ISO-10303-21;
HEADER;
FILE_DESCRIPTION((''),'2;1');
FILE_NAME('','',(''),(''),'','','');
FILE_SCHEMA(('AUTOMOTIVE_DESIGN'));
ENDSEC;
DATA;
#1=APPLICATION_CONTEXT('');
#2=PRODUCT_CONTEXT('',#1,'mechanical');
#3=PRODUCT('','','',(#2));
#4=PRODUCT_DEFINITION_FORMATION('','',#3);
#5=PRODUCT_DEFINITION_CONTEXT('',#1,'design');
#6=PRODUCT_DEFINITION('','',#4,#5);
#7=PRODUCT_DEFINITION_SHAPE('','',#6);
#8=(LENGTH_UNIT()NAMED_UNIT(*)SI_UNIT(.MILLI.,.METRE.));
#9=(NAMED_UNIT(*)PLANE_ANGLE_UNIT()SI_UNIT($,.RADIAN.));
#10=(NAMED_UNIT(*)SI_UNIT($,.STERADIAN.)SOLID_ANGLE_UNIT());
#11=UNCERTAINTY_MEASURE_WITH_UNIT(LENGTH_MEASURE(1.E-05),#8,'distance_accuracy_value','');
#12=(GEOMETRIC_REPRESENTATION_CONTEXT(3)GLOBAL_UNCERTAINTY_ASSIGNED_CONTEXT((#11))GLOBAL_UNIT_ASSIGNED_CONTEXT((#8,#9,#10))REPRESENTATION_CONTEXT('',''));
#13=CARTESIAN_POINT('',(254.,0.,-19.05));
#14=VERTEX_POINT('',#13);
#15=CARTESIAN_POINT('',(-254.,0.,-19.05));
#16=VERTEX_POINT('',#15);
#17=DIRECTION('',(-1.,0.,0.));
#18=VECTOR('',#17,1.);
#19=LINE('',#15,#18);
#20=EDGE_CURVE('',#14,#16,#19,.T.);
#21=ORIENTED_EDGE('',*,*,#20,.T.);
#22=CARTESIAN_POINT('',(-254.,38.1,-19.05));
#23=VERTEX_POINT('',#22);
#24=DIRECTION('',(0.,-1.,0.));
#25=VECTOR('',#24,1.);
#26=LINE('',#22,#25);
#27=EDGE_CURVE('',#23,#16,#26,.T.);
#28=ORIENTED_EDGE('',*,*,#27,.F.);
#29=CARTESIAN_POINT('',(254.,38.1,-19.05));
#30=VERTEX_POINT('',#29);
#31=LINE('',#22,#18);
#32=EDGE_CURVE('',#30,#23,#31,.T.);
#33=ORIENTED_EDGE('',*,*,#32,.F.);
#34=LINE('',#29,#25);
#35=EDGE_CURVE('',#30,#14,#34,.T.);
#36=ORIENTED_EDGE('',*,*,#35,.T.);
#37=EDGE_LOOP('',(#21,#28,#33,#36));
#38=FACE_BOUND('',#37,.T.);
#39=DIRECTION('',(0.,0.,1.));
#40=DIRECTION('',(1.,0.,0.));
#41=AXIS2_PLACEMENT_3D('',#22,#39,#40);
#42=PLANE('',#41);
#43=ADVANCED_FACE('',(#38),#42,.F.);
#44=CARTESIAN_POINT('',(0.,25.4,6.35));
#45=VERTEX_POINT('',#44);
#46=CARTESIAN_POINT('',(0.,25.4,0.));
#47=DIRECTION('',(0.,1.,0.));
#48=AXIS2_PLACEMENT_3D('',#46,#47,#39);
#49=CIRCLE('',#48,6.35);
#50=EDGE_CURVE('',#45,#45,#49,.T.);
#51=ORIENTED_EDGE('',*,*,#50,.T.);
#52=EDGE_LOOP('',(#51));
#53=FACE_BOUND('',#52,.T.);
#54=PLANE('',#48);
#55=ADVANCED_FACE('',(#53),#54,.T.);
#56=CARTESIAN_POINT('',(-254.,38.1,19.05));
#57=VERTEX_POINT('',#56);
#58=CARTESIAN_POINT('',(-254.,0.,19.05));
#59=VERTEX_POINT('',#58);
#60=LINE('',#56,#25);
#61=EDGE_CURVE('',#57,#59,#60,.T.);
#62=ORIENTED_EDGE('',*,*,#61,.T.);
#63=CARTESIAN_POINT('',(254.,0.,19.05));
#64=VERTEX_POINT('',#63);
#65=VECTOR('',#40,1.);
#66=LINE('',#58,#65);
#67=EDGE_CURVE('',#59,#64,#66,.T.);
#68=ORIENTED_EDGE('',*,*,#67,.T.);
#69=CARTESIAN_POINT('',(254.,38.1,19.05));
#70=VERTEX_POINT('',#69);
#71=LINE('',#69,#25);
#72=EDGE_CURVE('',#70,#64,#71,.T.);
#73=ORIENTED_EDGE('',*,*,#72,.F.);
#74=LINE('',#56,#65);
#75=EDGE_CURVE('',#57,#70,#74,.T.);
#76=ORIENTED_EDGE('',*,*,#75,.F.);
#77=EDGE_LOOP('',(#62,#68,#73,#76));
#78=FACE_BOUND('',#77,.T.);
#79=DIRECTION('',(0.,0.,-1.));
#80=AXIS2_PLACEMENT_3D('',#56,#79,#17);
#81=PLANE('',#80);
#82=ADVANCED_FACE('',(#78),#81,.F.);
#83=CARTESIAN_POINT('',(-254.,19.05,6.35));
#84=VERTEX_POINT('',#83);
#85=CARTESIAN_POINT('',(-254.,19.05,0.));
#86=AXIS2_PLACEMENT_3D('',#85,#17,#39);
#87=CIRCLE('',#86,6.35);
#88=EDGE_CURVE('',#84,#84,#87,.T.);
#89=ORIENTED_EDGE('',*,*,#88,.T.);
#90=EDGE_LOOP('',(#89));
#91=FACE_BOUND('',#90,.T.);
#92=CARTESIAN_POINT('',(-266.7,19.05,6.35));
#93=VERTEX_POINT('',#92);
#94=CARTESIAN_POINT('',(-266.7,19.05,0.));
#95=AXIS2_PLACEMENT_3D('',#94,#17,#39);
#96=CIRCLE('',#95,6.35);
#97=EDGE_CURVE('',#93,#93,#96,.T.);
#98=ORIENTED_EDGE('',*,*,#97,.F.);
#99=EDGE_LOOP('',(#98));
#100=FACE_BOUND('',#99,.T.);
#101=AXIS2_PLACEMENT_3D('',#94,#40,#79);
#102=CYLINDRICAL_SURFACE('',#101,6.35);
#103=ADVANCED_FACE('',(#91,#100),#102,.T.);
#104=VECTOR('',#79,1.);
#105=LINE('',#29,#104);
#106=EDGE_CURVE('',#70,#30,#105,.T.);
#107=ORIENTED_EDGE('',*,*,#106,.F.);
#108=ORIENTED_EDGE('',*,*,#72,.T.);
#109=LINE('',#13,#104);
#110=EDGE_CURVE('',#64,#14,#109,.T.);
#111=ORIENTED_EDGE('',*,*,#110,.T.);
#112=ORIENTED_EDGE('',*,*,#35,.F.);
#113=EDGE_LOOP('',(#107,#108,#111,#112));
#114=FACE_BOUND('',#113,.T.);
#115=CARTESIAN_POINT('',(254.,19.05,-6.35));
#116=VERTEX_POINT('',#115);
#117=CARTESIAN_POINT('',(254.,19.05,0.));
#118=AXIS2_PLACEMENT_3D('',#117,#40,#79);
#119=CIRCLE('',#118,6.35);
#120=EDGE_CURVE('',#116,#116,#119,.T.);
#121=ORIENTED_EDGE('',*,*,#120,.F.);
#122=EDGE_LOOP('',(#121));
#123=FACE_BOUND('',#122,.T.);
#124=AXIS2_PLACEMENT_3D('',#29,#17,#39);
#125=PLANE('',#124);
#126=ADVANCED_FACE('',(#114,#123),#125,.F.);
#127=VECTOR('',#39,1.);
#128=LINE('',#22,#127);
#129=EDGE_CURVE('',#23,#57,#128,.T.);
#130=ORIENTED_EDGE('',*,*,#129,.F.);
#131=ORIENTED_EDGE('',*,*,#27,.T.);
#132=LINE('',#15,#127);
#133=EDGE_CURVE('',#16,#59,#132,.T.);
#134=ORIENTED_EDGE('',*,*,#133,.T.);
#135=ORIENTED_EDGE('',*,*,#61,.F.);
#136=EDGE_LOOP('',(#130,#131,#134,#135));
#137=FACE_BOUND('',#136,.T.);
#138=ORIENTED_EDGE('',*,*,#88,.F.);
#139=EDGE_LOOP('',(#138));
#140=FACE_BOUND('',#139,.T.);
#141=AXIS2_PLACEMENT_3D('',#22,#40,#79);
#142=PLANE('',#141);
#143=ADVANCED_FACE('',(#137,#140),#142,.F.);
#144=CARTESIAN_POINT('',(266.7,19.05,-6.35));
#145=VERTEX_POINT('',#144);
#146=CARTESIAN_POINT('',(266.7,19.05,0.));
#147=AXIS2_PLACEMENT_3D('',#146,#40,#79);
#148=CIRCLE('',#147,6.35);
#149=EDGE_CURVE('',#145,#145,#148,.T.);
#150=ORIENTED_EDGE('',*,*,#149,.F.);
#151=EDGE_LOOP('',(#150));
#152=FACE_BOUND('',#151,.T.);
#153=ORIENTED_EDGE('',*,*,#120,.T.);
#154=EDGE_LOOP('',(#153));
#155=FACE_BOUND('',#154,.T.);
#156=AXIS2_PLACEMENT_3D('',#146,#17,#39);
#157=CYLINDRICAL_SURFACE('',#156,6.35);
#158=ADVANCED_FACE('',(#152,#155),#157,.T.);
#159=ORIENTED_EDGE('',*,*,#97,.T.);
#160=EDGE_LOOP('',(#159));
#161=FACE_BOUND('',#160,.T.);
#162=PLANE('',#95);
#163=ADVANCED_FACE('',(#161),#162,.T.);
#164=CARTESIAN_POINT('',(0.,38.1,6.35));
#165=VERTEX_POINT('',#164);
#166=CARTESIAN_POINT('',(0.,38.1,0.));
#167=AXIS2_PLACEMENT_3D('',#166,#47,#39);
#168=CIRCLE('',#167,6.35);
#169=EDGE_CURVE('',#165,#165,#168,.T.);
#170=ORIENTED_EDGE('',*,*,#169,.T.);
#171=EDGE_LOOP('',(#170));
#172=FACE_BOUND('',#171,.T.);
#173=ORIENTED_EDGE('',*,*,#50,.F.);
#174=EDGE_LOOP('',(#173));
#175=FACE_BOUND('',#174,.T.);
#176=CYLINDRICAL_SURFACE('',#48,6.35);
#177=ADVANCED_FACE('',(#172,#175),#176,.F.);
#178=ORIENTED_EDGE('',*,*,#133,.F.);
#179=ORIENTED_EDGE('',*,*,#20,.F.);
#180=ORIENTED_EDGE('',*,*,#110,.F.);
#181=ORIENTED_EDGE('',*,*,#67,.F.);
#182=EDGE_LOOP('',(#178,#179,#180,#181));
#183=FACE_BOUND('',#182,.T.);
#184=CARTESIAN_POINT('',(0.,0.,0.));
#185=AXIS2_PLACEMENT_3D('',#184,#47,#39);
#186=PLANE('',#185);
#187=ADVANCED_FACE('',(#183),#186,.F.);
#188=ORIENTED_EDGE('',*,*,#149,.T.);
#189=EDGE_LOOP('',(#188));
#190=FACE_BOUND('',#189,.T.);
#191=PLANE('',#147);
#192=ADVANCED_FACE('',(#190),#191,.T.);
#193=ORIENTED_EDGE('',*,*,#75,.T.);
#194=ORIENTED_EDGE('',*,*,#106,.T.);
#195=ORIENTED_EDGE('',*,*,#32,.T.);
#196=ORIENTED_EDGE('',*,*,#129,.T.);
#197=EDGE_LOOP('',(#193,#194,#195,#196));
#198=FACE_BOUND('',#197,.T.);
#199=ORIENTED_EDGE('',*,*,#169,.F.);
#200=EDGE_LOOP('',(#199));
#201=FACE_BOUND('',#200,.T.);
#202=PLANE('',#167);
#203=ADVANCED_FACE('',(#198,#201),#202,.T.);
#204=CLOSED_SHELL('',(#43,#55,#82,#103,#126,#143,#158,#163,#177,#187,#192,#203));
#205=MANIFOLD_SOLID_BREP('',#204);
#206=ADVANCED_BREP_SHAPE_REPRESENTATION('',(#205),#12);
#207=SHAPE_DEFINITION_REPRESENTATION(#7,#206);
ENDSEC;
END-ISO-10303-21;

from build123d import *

# Parameters (mm, degrees)
CROQUIS1_W              = 508
CROQUIS1_H              = 38.1
SALIENTE_EXTRUIR1_DEPTH = 38.1
CROQUIS2_R              = 6.35
SALIENTE_EXTRUIR2_DEPTH = 12.7
CROQUIS3_R              = 6.35
SALIENTE_EXTRUIR3_DEPTH = 12.7
CROQUIS4_R              = 6.35
CORTAR_EXTRUIR1_DEPTH   = 12.7


with BuildPart() as part:
    # Croquis1 → Saliente-Extruir1 (new body)
    with BuildSketch(Plane(origin=(0, 0, 0), x_dir=(1, 0, 0), z_dir=(0, 1, 0))):
        Rectangle(CROQUIS1_W, CROQUIS1_H)
    extrude(amount=SALIENTE_EXTRUIR1_DEPTH)

    # Croquis2 → Saliente-Extruir2 (add)
    with BuildSketch(Plane.ZY.offset(254)):
        with Locations((0, 19.05)):
            Circle(CROQUIS2_R)
    extrude(amount=SALIENTE_EXTRUIR2_DEPTH)

    # Croquis3 → Saliente-Extruir3 (add)
    with BuildSketch(Plane(origin=(254, 0, 0), x_dir=(0, 0, -1), z_dir=(1, 0, 0))):
        with Locations((0, 19.05)):
            Circle(CROQUIS3_R)
    extrude(amount=SALIENTE_EXTRUIR3_DEPTH)

    # Croquis4 → Cortar-Extruir1 (cut)
    with BuildSketch(Plane(origin=(0, 38.1, 0), x_dir=(1, 0, 0), z_dir=(0, 1, 0))):
        Circle(CROQUIS4_R)
    extrude(amount=-CORTAR_EXTRUIR1_DEPTH, mode=Mode.SUBTRACT)


solid = part.part
